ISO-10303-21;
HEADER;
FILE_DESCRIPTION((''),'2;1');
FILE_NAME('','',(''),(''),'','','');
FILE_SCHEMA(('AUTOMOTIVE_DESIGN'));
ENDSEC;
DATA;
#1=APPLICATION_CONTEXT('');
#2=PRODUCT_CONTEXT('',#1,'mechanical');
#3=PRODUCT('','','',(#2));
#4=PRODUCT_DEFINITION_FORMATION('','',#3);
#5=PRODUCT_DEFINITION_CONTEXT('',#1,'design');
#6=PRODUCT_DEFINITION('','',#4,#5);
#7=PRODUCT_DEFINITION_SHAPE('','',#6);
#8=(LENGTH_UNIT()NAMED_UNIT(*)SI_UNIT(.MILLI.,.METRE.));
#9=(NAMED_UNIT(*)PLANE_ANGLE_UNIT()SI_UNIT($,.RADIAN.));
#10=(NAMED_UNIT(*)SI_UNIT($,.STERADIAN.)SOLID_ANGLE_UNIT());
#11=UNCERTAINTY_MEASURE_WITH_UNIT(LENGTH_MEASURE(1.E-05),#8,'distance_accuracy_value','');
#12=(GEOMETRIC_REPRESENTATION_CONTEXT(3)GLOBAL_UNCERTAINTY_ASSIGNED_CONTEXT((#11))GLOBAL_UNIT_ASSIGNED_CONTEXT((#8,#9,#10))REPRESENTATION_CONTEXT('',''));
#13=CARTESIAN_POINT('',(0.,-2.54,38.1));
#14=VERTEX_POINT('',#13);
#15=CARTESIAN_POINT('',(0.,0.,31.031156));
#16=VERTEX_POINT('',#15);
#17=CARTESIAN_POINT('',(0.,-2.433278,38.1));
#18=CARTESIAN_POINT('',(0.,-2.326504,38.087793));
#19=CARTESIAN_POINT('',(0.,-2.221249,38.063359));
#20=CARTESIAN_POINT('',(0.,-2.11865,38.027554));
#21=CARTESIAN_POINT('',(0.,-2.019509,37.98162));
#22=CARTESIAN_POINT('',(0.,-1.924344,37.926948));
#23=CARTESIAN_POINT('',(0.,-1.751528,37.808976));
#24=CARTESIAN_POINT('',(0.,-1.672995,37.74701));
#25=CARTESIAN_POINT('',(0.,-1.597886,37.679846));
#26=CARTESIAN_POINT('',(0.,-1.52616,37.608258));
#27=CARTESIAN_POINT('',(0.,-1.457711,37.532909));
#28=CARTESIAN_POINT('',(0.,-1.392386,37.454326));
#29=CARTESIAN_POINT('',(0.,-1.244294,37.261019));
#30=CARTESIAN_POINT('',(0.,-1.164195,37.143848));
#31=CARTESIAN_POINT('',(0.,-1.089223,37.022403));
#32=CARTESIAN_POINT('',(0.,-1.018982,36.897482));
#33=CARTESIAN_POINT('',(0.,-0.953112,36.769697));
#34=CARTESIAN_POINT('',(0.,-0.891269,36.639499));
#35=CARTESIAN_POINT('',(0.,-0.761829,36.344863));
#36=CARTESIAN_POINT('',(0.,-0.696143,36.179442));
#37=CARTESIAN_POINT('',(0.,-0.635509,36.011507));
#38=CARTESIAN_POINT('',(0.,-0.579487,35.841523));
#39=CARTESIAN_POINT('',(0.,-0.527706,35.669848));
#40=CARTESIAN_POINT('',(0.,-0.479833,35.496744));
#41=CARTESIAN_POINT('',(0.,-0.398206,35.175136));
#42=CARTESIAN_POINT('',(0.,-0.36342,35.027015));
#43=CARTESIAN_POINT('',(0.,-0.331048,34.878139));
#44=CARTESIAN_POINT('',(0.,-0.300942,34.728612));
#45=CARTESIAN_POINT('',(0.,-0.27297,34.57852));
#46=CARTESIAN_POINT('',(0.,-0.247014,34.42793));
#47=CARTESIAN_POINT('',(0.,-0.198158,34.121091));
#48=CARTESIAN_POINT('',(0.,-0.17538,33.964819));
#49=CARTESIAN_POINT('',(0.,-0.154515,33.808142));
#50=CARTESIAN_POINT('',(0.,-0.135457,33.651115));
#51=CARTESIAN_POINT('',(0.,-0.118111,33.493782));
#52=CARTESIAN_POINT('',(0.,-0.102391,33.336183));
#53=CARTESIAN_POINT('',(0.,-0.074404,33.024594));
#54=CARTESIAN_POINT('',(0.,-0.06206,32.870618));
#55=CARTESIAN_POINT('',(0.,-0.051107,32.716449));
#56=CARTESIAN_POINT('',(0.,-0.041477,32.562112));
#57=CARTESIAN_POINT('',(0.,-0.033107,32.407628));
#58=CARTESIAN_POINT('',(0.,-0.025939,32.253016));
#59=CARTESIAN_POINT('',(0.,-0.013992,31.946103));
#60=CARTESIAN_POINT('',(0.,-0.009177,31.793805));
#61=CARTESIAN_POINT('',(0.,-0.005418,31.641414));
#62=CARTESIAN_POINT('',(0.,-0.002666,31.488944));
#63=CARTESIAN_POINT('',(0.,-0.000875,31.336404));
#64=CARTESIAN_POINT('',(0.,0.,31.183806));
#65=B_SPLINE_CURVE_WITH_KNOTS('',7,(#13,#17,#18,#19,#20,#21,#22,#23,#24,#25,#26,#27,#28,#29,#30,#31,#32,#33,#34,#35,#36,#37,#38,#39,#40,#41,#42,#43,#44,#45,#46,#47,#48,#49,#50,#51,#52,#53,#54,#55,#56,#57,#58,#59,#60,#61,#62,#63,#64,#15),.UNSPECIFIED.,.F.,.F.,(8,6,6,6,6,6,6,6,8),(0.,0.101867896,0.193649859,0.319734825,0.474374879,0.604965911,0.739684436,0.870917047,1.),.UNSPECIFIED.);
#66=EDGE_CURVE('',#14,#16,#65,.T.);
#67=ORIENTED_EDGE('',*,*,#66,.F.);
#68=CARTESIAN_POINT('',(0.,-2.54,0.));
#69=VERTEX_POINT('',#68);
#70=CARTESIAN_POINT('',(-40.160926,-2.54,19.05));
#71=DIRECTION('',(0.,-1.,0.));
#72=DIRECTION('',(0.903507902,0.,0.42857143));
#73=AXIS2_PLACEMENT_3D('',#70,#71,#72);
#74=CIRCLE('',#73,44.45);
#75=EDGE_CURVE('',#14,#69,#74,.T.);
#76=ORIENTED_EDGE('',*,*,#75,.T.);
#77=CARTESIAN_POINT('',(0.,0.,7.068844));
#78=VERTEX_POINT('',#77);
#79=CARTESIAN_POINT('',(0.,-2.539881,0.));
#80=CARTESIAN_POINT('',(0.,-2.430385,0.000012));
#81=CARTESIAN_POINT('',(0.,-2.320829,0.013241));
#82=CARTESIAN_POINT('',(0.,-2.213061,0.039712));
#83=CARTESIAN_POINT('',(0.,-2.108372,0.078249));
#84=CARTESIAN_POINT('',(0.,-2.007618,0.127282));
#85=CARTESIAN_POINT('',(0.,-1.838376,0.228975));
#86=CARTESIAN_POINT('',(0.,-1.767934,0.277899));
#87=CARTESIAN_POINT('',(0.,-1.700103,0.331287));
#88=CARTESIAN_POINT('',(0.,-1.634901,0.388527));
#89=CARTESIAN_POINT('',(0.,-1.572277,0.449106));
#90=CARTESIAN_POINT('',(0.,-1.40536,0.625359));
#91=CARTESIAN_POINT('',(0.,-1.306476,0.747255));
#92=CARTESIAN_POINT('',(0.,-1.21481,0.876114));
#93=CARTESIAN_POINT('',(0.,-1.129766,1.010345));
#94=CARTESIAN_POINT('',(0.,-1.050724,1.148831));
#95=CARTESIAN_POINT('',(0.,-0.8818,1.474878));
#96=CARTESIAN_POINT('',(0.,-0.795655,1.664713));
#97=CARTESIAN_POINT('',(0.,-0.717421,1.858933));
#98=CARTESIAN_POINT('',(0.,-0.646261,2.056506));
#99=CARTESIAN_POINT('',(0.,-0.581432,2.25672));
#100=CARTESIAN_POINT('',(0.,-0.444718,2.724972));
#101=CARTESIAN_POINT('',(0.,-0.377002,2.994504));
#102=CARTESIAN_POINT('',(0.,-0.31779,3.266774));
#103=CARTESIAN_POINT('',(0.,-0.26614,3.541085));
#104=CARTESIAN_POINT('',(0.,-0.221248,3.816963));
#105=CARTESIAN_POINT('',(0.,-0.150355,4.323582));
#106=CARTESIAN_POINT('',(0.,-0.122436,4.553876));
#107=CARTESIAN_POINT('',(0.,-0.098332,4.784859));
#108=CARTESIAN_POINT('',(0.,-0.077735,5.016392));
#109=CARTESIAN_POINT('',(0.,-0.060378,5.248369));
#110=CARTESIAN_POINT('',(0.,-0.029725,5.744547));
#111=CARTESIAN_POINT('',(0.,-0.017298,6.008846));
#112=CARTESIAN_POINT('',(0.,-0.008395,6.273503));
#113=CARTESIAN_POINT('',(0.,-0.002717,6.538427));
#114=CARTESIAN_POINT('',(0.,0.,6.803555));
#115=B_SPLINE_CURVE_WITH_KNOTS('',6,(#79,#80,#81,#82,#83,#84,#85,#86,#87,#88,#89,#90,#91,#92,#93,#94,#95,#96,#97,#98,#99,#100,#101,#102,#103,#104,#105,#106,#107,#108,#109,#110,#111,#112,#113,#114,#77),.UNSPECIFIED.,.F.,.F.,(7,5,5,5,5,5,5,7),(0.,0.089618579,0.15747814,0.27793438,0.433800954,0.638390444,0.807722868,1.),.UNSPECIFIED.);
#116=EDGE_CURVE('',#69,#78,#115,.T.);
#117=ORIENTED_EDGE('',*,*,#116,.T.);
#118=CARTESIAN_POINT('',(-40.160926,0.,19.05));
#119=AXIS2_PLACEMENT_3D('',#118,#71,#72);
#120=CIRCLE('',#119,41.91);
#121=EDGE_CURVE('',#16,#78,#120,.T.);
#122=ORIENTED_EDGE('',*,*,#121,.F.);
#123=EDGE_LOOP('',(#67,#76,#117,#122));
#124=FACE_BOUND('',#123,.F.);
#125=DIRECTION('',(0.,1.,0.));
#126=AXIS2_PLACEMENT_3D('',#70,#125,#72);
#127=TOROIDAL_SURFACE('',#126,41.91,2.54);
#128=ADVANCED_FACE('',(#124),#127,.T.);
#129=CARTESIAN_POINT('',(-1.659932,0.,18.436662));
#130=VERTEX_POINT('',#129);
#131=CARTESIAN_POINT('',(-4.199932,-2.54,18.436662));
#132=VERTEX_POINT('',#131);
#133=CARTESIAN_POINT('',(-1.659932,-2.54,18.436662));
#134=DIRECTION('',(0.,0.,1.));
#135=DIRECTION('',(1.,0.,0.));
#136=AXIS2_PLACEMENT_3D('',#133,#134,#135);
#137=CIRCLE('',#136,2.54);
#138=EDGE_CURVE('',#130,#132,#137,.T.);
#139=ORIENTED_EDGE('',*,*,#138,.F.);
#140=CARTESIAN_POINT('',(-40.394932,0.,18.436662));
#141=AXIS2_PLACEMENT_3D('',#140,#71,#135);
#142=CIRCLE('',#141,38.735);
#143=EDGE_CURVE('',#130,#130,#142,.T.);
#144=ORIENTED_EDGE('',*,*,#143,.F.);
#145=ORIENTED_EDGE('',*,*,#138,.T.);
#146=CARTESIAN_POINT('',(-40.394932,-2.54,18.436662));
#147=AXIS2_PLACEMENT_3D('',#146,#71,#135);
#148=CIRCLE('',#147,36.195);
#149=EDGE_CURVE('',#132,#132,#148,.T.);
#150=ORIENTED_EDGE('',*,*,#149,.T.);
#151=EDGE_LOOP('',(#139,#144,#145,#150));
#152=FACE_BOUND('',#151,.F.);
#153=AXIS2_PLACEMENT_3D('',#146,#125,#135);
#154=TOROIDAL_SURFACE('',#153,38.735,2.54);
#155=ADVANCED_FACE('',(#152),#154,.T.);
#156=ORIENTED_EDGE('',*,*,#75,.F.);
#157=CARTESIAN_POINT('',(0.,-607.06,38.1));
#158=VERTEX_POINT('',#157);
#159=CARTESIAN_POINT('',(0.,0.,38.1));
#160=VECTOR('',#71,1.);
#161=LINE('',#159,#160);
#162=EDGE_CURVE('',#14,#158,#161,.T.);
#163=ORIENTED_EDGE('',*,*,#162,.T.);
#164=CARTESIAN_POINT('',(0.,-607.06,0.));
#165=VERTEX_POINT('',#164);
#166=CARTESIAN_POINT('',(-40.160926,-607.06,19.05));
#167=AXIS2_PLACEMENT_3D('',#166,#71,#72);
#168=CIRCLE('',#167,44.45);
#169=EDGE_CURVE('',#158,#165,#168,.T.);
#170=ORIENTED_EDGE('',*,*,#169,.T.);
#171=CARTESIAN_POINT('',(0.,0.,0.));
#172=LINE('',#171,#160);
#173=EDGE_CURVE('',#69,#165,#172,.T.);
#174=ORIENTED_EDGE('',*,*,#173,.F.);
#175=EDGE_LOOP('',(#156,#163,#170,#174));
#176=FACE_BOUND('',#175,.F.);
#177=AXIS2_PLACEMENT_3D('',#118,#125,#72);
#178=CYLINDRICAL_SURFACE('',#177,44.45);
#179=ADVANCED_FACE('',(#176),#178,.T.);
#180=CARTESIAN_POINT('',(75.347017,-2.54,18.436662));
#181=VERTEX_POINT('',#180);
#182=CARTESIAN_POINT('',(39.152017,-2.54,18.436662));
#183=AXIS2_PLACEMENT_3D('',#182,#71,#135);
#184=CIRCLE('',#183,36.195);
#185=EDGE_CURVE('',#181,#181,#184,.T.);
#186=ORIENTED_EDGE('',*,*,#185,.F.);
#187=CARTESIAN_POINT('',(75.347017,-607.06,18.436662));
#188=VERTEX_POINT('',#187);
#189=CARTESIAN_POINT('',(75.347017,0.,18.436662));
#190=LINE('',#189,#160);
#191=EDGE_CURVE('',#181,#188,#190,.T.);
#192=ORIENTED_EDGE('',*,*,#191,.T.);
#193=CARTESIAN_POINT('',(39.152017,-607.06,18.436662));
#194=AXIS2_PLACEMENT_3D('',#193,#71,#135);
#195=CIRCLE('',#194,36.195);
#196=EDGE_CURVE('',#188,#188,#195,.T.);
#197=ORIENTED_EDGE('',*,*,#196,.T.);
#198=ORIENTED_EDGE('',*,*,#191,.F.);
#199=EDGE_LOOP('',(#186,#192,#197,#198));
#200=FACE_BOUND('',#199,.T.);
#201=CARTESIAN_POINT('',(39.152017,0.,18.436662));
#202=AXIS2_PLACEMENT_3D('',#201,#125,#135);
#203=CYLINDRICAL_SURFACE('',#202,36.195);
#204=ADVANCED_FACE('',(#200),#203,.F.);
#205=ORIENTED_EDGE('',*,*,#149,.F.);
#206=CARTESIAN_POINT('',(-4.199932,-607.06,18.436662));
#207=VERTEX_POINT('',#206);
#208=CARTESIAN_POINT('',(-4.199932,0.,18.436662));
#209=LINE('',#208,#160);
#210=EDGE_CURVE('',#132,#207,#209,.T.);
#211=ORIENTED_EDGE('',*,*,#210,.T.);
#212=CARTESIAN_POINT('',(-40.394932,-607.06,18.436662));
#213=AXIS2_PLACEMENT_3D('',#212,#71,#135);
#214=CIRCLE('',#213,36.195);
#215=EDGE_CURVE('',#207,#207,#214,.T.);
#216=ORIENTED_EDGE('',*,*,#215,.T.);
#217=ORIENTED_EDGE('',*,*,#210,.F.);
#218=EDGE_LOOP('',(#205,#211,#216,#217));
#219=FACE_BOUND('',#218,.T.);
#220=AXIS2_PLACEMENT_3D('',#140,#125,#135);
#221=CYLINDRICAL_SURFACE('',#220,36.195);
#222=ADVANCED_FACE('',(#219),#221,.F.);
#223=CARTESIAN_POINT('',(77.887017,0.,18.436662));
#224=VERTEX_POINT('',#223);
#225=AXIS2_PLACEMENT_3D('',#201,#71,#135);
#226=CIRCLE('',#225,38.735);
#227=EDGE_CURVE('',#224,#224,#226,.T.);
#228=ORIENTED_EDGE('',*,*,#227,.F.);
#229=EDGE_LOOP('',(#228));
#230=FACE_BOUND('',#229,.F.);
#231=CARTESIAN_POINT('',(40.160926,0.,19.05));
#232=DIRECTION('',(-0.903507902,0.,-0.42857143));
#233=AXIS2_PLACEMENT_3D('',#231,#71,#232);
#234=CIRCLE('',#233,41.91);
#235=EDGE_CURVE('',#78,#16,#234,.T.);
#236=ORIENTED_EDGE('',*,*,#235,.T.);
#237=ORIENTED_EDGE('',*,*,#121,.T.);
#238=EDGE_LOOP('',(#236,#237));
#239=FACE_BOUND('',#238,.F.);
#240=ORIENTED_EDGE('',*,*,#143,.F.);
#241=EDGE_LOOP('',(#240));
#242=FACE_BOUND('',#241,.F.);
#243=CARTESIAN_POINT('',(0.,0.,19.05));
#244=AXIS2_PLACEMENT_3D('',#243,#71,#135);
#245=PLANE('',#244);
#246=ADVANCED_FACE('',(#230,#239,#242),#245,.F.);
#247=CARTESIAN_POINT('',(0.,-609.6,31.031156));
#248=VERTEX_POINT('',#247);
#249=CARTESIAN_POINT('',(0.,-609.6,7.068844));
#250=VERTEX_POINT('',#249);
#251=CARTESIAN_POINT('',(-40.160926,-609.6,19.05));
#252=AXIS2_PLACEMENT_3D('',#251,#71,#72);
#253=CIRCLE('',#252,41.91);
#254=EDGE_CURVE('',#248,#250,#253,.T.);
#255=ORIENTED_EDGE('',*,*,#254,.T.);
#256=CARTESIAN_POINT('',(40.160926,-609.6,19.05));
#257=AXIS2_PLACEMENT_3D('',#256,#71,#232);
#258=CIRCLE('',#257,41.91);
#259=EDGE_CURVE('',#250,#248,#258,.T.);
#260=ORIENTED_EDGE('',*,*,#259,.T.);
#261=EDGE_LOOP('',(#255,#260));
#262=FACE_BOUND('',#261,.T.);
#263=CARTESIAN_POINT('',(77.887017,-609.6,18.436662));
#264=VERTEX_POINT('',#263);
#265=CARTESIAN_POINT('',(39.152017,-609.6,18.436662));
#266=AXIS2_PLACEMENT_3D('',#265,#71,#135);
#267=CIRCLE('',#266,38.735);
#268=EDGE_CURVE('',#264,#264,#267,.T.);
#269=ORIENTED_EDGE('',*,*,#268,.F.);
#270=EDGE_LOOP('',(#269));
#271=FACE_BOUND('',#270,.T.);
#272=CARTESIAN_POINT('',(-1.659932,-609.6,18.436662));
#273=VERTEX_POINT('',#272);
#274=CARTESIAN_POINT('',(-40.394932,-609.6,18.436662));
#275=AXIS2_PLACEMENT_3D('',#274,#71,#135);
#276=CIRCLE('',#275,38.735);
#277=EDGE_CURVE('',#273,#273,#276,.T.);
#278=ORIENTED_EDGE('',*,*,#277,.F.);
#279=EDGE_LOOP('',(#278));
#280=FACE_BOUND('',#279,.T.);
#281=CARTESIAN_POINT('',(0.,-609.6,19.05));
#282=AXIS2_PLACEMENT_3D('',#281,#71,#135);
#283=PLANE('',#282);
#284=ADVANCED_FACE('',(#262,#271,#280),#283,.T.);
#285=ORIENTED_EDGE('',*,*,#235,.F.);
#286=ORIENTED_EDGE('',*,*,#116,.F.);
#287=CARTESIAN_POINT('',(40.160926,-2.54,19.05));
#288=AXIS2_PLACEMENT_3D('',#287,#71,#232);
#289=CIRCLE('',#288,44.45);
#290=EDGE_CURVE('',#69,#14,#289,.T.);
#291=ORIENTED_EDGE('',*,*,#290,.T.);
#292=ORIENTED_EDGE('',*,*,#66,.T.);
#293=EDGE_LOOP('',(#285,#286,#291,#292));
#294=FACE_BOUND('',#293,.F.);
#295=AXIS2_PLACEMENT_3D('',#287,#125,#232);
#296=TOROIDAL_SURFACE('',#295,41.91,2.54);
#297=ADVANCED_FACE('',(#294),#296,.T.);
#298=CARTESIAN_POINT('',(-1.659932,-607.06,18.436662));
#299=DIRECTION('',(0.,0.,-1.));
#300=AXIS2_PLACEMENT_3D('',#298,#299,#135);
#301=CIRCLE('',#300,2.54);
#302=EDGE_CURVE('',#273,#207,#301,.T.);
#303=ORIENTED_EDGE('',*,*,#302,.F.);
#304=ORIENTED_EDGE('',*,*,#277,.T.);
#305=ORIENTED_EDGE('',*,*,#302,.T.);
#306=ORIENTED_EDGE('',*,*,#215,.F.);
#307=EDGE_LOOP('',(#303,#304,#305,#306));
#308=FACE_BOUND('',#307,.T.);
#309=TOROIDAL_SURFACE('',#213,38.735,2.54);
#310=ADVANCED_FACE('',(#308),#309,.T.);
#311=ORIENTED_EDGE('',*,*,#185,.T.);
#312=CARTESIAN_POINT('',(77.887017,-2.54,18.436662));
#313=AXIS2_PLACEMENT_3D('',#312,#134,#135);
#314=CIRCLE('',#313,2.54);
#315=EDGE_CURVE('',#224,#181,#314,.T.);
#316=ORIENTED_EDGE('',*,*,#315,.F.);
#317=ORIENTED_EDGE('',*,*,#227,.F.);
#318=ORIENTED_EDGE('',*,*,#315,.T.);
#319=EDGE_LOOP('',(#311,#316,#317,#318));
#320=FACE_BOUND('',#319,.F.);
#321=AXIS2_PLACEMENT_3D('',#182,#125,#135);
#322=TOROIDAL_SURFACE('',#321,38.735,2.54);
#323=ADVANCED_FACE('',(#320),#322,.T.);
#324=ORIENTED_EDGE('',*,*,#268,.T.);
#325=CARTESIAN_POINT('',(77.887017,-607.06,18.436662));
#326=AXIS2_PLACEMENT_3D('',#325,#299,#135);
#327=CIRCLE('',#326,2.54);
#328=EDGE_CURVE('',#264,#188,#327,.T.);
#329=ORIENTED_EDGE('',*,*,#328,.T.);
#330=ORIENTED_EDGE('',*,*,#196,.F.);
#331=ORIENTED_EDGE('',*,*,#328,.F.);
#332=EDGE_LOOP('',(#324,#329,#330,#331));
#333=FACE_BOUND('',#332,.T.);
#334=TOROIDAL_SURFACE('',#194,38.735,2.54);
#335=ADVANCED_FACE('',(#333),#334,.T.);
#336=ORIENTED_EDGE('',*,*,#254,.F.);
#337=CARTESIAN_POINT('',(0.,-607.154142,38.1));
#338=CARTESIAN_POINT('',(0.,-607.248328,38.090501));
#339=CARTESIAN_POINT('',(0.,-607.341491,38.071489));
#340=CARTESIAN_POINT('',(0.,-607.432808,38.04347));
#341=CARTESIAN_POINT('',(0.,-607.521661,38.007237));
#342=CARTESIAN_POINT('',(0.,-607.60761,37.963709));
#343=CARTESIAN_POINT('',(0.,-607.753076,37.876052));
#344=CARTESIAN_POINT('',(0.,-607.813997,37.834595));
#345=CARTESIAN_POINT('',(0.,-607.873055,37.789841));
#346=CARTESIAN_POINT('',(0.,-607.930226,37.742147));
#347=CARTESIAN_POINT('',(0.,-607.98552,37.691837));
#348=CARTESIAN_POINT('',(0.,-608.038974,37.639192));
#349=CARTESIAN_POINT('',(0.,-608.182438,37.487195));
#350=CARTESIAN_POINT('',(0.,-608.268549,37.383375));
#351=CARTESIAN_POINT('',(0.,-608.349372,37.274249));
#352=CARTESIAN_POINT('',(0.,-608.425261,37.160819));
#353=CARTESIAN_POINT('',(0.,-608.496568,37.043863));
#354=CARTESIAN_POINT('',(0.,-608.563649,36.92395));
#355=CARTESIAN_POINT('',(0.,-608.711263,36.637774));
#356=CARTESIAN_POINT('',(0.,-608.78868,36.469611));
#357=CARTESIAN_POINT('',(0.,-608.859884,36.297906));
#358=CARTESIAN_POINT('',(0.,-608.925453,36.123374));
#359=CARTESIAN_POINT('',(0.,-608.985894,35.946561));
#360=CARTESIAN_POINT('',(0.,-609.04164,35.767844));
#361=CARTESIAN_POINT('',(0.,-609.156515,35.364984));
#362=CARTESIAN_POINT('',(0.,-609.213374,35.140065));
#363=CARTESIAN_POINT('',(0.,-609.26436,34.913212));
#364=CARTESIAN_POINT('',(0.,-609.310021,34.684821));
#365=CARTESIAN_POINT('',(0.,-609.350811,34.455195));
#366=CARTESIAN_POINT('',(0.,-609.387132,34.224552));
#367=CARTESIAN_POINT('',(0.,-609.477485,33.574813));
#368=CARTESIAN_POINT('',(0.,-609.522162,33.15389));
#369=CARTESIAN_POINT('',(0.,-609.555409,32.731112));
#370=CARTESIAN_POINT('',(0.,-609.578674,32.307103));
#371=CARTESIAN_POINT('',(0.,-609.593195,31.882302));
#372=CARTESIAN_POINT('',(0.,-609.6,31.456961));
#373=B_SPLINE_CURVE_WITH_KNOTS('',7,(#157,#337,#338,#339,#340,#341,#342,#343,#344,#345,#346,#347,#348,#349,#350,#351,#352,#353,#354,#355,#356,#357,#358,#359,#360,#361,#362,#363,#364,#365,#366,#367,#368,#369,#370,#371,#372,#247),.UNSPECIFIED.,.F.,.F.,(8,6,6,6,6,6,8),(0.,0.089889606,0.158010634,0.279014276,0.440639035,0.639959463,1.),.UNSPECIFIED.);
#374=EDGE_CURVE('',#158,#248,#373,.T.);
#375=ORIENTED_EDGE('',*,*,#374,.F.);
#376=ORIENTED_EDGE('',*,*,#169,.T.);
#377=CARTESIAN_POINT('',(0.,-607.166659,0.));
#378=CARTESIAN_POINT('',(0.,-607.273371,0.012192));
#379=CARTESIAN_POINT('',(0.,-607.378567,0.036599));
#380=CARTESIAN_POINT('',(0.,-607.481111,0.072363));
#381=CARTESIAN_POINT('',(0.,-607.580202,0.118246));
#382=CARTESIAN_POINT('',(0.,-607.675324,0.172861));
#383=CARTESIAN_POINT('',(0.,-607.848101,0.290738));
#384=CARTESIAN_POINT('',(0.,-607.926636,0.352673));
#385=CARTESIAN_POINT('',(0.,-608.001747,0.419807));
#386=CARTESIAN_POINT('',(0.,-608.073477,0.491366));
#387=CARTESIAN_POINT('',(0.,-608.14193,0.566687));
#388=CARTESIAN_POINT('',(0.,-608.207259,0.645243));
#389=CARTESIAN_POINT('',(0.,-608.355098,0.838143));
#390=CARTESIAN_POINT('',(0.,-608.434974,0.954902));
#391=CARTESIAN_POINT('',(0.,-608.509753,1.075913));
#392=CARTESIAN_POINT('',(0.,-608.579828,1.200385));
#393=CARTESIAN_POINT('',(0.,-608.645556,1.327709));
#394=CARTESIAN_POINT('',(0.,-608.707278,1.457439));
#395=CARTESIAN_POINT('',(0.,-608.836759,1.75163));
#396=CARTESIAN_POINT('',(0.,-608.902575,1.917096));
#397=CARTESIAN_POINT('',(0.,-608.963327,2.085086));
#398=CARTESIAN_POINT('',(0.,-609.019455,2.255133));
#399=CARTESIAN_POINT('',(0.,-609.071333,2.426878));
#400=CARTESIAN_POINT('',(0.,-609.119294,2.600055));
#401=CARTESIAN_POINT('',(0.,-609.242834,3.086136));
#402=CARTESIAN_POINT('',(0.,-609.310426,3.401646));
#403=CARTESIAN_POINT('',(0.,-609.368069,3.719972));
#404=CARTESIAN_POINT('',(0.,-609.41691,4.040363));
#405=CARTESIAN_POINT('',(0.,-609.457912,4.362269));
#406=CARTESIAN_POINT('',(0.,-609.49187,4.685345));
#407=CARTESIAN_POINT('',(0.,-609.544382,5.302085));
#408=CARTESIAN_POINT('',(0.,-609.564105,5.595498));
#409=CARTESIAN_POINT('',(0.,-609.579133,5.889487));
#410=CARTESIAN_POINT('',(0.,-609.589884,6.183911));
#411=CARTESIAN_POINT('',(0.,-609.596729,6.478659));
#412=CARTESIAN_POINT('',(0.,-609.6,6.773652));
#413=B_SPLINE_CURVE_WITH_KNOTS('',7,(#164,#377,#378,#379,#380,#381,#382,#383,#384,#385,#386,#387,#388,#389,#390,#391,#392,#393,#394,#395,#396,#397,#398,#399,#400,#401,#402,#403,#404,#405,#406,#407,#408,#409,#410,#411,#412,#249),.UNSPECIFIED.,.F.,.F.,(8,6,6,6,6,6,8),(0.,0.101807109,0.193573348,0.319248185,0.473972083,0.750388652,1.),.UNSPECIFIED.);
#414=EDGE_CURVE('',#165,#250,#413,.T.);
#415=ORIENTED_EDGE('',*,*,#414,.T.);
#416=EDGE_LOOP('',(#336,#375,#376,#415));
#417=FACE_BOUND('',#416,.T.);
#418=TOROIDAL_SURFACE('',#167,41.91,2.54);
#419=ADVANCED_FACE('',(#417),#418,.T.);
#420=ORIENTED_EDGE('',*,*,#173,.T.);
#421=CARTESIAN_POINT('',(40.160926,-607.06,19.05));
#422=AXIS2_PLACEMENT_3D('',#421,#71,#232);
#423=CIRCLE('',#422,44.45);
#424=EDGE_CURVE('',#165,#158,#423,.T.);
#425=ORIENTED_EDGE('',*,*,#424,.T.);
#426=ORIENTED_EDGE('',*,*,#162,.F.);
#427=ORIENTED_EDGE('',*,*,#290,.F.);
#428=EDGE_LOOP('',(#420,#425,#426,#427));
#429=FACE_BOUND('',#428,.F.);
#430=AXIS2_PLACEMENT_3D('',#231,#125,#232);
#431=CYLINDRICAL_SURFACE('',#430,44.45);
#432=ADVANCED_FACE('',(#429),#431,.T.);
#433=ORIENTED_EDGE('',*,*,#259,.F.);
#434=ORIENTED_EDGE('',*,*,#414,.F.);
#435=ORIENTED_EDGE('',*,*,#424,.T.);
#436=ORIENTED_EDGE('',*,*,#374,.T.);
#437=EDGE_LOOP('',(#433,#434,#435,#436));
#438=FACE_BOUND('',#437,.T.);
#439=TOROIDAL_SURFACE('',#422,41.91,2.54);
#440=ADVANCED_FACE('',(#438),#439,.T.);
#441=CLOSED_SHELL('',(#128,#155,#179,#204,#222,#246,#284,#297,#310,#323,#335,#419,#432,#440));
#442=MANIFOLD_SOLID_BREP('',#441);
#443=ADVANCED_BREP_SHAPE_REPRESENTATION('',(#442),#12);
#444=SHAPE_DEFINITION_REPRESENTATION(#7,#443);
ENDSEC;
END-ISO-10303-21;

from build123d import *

# Parameters (mm, degrees)
F1_DEPTH = 609.6
F2_R     = 36.195
F3_DEPTH = 609.6
F4_R     = 2.54


with BuildPart() as f1:
    # F0 (on Front) → F1 (new body)
    with BuildSketch(Plane.XZ):
        with BuildLine():
            ThreePointArc((0, 0), (84.610926, 19.05), (0, 38.1))
            ThreePointArc((0, 38.1), (-84.610926, 19.05), (0, 0))
        make_face()
    extrude(amount=F1_DEPTH)

    # F2 (on Front) → F3 (cut)
    with BuildSketch(Plane.XZ):
        with Locations((-40.394932, 18.436662)):
            Circle(F2_R)
        with Locations((39.152017, 18.436662)):
            Circle(F2_R)
    extrude(amount=F3_DEPTH, mode=Mode.SUBTRACT)

    # F4
    f4_edges = [f1.edges().sort_by_distance(p)[0] for p in [
        (-76.589932, -609.6, 18.436662),
        (2.957017, -609.6, 18.436662),
        (2.957017, 0, 18.436662),
        (-76.589932, 0, 18.436662),
        (84.610926, 0, 19.05),
        (-84.610926, 0, 19.05),
        (84.610926, -609.6, 19.05),
        (-84.610926, -609.6, 19.05),
    ]]
    fillet(f4_edges, radius=F4_R)


solid = f1.part
